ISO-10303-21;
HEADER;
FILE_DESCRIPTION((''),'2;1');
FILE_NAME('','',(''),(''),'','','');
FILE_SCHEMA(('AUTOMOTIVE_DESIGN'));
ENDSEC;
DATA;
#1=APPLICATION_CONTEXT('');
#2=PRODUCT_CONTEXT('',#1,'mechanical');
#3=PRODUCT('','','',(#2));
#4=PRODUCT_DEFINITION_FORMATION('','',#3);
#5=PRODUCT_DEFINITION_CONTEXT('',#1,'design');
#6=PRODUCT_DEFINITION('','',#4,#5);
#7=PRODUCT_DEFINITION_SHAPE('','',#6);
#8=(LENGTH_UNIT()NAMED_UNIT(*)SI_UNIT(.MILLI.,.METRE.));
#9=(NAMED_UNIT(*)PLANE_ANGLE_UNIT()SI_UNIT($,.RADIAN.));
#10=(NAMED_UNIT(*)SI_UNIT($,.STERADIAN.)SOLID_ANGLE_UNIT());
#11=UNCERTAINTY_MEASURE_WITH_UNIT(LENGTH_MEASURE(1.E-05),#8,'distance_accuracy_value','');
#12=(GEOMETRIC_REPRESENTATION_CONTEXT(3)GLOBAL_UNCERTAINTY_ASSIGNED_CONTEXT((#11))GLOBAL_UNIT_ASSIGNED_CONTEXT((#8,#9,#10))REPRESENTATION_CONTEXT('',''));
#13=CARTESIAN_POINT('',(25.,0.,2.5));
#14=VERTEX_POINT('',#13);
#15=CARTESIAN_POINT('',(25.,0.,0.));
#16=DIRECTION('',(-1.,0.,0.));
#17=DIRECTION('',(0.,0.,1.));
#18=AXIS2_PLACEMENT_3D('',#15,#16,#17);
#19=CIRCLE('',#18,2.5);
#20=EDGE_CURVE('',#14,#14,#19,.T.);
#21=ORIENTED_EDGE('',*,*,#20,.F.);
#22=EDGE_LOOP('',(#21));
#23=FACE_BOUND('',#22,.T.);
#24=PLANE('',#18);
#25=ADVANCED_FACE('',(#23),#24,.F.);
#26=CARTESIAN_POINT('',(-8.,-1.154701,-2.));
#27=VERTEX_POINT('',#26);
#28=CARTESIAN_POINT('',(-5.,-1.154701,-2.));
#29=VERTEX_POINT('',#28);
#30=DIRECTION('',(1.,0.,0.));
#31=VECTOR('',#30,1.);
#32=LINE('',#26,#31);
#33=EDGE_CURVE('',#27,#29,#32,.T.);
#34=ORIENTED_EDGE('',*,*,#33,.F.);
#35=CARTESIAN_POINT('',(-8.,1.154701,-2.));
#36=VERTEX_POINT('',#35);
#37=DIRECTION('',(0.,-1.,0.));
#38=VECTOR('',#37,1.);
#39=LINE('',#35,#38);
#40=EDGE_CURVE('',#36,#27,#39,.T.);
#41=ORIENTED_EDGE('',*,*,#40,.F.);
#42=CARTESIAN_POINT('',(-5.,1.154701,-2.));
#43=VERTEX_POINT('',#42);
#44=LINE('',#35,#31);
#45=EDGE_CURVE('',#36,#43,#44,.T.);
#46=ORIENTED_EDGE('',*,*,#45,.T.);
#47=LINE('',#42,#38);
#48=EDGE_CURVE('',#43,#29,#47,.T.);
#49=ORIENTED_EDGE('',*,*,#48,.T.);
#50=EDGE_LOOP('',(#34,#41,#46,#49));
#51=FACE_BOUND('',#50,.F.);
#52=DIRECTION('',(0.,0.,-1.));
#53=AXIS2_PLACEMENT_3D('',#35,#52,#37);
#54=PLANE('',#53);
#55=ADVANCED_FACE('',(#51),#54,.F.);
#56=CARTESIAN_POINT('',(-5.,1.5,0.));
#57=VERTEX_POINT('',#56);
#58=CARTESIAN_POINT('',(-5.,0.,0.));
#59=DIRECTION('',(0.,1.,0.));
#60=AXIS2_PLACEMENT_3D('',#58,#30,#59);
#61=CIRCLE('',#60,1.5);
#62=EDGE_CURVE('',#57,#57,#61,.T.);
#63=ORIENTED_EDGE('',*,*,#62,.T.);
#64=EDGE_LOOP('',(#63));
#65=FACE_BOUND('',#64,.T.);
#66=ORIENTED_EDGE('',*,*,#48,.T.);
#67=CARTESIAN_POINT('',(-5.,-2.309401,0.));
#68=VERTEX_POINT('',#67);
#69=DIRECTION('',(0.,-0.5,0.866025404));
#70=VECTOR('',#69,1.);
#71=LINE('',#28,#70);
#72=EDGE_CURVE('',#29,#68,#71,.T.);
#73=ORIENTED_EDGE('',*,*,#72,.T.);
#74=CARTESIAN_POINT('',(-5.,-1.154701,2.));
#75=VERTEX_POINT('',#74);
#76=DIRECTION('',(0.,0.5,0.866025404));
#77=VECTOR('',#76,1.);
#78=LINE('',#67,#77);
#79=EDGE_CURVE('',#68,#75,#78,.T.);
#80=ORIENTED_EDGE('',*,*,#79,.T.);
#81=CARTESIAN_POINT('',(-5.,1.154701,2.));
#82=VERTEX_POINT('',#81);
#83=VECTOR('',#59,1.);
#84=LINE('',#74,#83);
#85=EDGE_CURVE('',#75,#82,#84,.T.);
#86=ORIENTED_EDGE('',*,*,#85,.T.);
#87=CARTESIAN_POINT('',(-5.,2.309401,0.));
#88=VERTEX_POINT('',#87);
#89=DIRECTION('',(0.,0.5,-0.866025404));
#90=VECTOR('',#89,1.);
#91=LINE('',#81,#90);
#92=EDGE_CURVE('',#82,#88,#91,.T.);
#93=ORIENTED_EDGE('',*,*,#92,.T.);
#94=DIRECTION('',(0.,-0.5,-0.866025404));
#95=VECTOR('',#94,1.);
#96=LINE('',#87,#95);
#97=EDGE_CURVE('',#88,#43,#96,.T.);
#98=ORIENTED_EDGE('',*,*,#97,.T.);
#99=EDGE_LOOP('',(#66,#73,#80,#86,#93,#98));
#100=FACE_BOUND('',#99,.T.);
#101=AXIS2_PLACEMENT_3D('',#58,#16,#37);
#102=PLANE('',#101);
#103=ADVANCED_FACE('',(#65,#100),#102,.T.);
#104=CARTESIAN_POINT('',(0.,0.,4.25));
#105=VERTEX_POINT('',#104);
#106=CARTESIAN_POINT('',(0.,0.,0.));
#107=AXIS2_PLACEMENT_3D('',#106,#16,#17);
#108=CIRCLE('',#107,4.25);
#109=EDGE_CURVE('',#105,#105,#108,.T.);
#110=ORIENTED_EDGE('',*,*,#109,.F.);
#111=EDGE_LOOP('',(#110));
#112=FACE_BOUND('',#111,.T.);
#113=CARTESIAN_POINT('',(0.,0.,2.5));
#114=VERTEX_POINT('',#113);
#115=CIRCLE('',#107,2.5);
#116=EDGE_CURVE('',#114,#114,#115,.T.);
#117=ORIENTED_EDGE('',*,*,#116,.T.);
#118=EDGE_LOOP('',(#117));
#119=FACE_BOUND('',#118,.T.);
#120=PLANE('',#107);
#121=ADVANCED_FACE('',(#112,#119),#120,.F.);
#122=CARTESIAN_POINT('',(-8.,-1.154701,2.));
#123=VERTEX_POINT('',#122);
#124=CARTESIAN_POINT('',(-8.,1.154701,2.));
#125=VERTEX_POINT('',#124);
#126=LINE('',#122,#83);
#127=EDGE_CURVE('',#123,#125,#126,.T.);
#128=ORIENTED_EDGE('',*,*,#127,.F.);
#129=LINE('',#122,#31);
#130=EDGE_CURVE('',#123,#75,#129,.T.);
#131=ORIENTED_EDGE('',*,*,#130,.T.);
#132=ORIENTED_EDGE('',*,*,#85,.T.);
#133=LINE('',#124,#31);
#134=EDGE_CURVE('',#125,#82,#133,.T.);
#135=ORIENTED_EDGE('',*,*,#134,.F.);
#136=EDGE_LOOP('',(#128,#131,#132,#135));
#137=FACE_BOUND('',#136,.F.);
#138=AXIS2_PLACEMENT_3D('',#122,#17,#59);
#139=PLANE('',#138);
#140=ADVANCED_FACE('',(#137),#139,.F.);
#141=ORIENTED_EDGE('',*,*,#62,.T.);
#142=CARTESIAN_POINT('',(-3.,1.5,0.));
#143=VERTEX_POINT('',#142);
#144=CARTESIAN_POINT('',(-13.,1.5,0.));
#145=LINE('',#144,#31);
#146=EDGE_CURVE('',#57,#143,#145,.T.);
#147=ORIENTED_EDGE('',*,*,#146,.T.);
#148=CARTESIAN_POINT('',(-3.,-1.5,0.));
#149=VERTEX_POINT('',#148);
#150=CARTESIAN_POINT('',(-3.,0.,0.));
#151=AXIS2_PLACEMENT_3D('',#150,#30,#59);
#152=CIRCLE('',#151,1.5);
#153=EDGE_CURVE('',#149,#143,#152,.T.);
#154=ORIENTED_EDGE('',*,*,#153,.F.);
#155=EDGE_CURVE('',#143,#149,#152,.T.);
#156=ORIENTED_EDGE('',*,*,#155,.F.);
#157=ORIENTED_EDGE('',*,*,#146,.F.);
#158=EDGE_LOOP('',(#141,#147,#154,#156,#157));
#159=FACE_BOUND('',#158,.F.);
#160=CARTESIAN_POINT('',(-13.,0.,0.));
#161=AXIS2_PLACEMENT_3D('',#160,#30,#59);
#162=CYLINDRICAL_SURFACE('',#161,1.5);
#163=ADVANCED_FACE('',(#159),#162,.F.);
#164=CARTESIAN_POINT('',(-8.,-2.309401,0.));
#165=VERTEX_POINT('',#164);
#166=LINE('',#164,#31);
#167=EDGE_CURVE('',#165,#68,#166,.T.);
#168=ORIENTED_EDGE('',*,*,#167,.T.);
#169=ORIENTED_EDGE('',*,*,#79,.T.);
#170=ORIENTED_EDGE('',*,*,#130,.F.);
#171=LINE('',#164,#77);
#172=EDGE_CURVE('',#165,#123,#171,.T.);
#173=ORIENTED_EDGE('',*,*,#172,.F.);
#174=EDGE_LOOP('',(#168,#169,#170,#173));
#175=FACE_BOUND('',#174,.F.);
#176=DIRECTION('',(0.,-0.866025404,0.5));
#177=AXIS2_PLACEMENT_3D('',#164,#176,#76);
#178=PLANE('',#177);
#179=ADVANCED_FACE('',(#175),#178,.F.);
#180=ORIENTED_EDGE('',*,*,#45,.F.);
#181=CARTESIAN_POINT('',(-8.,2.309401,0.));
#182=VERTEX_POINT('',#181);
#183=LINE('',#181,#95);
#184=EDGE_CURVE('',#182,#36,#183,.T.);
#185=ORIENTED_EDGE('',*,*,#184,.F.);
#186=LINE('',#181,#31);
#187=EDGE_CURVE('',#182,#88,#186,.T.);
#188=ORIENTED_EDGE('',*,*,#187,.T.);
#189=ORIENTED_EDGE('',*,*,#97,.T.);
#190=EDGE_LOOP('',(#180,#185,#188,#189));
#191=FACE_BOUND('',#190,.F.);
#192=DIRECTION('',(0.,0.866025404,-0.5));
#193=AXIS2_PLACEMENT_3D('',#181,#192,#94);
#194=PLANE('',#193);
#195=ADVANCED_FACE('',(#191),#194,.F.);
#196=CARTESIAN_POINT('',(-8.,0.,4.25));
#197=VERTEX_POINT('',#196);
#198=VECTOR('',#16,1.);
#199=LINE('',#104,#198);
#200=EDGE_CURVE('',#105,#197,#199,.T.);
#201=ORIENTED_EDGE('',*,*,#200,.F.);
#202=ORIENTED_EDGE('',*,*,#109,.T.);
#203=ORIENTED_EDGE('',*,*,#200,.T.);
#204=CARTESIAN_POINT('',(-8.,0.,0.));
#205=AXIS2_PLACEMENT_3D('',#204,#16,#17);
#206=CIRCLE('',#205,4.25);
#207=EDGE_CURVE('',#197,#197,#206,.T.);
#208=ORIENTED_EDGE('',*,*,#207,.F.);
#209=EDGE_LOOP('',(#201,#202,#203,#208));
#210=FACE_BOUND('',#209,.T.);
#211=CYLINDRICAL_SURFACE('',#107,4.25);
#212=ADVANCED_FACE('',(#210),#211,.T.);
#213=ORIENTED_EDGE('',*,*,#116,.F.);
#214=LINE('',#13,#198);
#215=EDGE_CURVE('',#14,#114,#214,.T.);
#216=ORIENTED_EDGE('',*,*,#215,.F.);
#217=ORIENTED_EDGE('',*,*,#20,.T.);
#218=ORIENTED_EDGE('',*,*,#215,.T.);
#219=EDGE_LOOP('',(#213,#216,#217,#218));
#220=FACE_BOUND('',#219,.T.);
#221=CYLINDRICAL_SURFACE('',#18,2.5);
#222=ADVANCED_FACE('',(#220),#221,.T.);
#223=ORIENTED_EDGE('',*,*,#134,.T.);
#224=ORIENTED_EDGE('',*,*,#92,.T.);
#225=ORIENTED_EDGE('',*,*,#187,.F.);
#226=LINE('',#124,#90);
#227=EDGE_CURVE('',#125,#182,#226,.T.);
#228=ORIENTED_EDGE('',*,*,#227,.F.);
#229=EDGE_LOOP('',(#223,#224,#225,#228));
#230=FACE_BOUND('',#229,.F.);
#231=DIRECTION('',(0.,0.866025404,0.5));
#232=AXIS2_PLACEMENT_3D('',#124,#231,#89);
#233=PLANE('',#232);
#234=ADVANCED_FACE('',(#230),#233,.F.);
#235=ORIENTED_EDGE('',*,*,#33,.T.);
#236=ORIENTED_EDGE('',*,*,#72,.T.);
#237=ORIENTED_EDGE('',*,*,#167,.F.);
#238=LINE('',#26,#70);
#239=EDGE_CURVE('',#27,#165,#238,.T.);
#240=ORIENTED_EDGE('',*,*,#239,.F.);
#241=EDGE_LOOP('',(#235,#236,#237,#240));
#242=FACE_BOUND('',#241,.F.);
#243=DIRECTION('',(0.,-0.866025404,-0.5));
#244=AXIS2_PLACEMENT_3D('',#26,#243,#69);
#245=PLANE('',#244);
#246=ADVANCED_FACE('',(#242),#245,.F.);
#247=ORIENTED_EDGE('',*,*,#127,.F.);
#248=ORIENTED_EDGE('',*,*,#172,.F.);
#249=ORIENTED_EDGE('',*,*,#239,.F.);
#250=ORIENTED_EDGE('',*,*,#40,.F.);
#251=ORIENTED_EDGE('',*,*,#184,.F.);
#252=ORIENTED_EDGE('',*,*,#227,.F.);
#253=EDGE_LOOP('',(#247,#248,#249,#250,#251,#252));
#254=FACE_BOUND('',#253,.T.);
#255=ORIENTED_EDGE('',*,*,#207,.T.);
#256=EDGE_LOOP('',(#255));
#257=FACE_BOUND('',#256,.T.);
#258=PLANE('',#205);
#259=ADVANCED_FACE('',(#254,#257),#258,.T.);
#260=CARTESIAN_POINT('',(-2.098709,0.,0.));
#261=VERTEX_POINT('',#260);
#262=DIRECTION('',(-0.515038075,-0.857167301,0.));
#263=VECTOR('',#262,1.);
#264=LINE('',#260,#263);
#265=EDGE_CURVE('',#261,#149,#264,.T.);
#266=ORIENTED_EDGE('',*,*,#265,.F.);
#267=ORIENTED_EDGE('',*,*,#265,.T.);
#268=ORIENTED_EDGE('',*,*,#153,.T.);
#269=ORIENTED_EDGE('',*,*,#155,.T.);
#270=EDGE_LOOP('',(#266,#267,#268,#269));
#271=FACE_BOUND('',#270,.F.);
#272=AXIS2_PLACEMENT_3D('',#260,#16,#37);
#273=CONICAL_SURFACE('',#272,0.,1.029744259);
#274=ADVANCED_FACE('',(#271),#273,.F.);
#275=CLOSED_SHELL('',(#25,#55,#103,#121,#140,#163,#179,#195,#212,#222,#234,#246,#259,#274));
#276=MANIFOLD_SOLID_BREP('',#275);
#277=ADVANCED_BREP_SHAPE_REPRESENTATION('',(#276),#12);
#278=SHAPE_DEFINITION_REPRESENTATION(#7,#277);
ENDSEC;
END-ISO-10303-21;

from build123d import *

# Parameters (mm, degrees)
F3_D     = 3
F3_DEPTH = 5
F3_TIP   = 0.9012909285
F4_DEPTH = 3


with BuildPart() as f1:
    # F0 (on Front) → F1 (revolve)
    with BuildSketch(Plane.XZ):
        Polygon((-8, 4.25), (-8, 0), (25, 0), (25, 2.5), (0, 2.5), (0, 4.25), align=None)
    revolve(axis=Axis((8.5, 0, 0), (-1, 0, 0)))

    # F3
    with Locations(Plane(origin=(-8, 0, 0), x_dir=(0, -1, 0), z_dir=(-1, 0, 0))):
        with Locations((0, 0)):
            Hole(F3_D / 2, depth=F3_DEPTH)
            with Locations((0, 0, -(F3_DEPTH + F3_TIP / 2))):  # 118° drill point
                Cone(0, F3_D / 2, F3_TIP, mode=Mode.SUBTRACT)

    # F2 (on face) → F4 (cut)
    with BuildSketch(Plane(origin=(-8, 0, 0), x_dir=(0, -1, 0), z_dir=(-1, 0, 0))):
        Polygon((-1.1547005384, -2), (1.1547005384, -2), (2.3094010768, 0), (1.1547005384, 2), (-1.1547005384, 2), (-2.3094010768, 0), align=None)
    extrude(amount=-F4_DEPTH, mode=Mode.SUBTRACT)


solid = f1.part
